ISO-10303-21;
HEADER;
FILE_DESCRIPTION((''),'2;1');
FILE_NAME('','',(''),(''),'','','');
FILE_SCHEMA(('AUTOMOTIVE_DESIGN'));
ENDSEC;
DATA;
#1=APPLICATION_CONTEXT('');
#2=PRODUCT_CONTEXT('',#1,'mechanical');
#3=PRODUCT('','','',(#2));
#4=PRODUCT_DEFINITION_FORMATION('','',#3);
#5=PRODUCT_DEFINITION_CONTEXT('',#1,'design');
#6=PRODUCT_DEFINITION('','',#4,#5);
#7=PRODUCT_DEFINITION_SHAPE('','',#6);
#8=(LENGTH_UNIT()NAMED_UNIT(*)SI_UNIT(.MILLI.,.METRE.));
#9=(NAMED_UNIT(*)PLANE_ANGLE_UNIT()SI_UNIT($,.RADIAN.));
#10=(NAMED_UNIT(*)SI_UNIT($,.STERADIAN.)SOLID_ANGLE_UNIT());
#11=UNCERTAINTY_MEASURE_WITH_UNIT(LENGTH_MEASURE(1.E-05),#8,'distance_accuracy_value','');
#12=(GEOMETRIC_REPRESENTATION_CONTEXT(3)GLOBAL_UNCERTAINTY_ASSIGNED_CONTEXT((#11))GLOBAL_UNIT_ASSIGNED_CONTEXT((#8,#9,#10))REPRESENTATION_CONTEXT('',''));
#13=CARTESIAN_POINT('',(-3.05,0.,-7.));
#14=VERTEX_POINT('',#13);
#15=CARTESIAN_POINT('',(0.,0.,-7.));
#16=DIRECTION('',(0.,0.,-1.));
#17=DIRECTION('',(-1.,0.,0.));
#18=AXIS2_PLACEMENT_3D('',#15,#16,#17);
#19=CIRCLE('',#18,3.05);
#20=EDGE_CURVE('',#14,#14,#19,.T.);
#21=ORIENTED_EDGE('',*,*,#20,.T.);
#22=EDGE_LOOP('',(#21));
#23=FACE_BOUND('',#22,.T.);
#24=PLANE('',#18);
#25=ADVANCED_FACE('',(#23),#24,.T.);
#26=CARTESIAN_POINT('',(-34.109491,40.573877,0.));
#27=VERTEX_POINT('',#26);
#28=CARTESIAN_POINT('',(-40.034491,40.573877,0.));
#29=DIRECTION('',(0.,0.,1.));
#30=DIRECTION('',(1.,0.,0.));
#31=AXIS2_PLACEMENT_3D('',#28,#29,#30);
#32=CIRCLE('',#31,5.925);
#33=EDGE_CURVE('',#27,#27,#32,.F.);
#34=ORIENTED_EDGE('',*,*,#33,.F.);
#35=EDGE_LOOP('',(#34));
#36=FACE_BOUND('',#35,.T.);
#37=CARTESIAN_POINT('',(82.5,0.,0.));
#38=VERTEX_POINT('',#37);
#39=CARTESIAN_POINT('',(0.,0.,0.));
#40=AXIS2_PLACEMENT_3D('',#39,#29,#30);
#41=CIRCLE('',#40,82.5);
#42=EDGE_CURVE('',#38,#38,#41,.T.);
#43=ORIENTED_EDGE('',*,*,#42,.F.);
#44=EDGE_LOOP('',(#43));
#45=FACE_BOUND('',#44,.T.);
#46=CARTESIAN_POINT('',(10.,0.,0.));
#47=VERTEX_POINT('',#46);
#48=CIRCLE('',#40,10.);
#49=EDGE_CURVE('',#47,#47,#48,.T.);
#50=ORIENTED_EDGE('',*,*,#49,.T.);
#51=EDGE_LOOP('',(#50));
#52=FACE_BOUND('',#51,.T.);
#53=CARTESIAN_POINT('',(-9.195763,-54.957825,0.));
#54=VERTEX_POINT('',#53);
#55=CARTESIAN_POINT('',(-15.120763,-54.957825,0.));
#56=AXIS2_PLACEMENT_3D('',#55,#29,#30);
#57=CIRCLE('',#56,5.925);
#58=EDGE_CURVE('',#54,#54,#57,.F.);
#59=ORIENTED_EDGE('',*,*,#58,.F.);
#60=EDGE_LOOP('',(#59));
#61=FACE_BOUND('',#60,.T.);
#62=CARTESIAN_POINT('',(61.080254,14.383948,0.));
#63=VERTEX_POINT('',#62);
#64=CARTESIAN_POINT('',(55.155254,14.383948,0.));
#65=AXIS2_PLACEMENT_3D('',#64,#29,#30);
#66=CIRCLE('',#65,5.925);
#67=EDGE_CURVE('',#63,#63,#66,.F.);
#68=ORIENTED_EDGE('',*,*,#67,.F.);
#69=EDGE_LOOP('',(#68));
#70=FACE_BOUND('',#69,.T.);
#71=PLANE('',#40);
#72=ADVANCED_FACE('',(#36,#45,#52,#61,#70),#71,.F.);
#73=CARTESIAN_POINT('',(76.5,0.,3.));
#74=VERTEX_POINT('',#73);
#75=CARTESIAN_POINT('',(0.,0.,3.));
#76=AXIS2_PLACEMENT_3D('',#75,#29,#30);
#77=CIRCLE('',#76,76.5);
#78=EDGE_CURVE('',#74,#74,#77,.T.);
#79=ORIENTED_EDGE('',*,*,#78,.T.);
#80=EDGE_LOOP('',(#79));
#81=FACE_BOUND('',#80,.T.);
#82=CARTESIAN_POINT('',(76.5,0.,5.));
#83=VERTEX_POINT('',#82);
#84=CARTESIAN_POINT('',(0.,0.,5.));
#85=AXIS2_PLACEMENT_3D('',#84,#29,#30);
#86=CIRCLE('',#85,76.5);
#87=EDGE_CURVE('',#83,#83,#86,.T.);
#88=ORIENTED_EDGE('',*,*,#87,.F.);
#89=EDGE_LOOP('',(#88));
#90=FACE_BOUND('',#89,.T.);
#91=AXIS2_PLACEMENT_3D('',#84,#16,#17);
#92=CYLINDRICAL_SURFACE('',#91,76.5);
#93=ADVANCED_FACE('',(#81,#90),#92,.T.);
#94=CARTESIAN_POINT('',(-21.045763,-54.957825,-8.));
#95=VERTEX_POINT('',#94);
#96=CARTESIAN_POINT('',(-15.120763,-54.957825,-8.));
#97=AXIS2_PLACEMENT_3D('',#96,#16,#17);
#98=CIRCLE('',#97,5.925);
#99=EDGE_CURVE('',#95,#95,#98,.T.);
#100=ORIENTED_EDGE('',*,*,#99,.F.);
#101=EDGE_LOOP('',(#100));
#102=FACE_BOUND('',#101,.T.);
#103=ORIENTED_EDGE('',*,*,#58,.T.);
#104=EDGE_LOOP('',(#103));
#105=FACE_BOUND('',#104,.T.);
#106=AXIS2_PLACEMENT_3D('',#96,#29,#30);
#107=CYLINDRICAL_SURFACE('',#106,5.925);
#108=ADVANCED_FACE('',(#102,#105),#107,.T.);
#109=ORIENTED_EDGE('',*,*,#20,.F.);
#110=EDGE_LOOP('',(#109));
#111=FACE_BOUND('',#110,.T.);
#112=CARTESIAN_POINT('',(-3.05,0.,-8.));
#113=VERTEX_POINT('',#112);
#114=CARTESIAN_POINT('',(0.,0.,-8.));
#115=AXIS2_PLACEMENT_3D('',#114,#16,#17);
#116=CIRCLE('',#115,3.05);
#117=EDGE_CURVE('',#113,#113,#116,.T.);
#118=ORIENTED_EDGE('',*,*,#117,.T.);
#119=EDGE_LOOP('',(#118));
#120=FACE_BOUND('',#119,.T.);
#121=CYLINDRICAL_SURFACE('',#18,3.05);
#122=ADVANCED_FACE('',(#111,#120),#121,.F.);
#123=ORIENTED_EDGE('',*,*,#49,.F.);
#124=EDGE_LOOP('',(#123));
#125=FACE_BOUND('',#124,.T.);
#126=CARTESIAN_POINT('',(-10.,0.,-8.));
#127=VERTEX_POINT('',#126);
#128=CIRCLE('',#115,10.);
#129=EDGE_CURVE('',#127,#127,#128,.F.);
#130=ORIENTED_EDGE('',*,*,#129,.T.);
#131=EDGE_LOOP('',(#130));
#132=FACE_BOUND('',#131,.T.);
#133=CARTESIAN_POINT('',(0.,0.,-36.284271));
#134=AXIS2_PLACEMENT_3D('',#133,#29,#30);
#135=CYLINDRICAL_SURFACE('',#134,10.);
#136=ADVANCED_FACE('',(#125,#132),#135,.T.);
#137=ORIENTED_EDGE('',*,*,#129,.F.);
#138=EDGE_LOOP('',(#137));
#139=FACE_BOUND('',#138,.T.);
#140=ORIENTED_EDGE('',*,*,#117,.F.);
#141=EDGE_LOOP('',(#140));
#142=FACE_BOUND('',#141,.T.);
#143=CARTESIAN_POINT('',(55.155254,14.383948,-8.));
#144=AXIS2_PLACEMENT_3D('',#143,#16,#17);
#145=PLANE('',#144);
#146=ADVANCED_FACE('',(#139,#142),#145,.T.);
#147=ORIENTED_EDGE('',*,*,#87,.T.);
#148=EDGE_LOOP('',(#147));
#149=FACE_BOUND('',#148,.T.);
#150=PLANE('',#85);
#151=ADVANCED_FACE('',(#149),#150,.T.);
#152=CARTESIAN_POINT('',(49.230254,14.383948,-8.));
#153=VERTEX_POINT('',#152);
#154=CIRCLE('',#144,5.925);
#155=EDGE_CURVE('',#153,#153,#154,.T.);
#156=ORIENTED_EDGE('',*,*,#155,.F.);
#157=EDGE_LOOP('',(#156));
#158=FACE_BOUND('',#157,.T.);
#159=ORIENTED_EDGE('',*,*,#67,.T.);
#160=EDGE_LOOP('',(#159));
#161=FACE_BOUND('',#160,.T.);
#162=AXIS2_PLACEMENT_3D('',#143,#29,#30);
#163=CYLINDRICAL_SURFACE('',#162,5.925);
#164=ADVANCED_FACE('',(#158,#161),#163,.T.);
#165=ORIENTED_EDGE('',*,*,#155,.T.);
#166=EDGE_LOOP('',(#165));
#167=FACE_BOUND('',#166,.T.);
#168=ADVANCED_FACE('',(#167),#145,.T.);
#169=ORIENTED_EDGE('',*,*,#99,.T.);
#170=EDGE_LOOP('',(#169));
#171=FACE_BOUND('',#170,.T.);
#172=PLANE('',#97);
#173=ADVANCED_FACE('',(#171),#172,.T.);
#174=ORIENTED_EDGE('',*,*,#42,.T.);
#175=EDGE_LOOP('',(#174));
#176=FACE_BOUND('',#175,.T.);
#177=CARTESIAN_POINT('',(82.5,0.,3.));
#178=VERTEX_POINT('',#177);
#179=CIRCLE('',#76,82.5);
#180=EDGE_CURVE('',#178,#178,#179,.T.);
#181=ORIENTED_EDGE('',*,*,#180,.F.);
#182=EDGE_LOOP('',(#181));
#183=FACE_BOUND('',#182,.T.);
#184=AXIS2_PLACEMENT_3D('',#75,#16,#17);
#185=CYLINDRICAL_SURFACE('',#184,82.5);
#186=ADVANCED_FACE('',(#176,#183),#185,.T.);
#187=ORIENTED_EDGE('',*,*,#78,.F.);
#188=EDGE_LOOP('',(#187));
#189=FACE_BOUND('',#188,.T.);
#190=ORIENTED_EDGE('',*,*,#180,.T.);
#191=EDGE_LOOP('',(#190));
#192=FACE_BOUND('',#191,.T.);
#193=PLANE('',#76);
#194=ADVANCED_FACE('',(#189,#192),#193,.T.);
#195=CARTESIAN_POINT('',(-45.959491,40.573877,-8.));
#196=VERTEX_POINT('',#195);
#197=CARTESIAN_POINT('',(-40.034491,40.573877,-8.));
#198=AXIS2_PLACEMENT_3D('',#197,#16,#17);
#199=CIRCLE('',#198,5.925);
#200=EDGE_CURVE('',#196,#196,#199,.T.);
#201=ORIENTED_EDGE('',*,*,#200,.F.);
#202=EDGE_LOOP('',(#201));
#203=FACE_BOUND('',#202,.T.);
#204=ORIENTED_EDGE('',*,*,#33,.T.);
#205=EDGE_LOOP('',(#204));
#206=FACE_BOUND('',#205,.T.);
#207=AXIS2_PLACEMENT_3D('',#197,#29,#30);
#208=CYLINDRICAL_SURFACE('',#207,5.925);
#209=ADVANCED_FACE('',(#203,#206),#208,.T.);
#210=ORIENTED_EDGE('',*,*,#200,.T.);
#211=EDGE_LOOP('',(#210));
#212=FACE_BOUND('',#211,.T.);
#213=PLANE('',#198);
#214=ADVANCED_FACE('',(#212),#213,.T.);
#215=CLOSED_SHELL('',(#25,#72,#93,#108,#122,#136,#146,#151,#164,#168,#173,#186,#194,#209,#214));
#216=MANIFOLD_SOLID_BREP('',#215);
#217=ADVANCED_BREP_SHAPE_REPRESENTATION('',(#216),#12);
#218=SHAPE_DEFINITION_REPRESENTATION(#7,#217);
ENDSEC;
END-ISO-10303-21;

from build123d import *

# Parameters (mm, degrees)
ESBO_O1_R                = 82.5
ESBO_O1_R_2              = 14
RESSALTO_EXTRUS_O1_DEPTH = 3
ESBO_O2_R                = 5.925
RESSALTO_EXTRUS_O2_DEPTH = 8
ESBO_O3_R                = 14
RESSALTO_EXTRUS_O3_DEPTH = 3
ESBO_O4_R                = 10
RESSALTO_EXTRUS_O4_DEPTH = 11
ESBO_O5_R                = 3.05
CORTE_EXTRUS_O1_DEPTH    = 1
ESBO_O6_R                = 76.5
RESSALTO_EXTRUS_O5_DEPTH = 2


with BuildPart() as part:
    # Esboço1 → Ressalto-extrusão1 (new body)
    with BuildSketch(Plane.XY):
        Circle(ESBO_O1_R)
        Circle(ESBO_O1_R_2, mode=Mode.SUBTRACT)
    extrude(amount=RESSALTO_EXTRUS_O1_DEPTH)

    # Esboço2 → Ressalto-extrusão2 (add)
    with BuildSketch(Plane(origin=(0, 0, 0), x_dir=(-1, 0, 0), z_dir=(0, 0, -1))):
        with Locations((-55.155254038, 14.383947721)):
            Circle(ESBO_O2_R)
        with Locations((40.034491152, 40.573877288)):
            Circle(ESBO_O2_R)
        with Locations((15.120762886, -54.957825009)):
            Circle(ESBO_O2_R)
    extrude(amount=RESSALTO_EXTRUS_O2_DEPTH)

    # Esboço3 → Ressalto-extrusão3 (add)
    with BuildSketch(Plane.XY.offset(3)):
        Circle(ESBO_O3_R)
    extrude(amount=-RESSALTO_EXTRUS_O3_DEPTH)

    # Esboço4 → Ressalto-extrusão4 (add)
    with BuildSketch(Plane.XY.offset(3)):
        Circle(ESBO_O4_R)
    extrude(amount=-RESSALTO_EXTRUS_O4_DEPTH)

    # Esboço5 → Corte-extrusão1 (cut)
    with BuildSketch(Plane(origin=(0, 0, -8), x_dir=(-1, 0, 0), z_dir=(0, 0, -1))):
        Circle(ESBO_O5_R)
    extrude(amount=-CORTE_EXTRUS_O1_DEPTH, mode=Mode.SUBTRACT)

    # Esboço6 → Ressalto-extrusão5 (add)
    with BuildSketch(Plane.XY.offset(3)):
        Circle(ESBO_O6_R)
    extrude(amount=RESSALTO_EXTRUS_O5_DEPTH)


solid = part.part
